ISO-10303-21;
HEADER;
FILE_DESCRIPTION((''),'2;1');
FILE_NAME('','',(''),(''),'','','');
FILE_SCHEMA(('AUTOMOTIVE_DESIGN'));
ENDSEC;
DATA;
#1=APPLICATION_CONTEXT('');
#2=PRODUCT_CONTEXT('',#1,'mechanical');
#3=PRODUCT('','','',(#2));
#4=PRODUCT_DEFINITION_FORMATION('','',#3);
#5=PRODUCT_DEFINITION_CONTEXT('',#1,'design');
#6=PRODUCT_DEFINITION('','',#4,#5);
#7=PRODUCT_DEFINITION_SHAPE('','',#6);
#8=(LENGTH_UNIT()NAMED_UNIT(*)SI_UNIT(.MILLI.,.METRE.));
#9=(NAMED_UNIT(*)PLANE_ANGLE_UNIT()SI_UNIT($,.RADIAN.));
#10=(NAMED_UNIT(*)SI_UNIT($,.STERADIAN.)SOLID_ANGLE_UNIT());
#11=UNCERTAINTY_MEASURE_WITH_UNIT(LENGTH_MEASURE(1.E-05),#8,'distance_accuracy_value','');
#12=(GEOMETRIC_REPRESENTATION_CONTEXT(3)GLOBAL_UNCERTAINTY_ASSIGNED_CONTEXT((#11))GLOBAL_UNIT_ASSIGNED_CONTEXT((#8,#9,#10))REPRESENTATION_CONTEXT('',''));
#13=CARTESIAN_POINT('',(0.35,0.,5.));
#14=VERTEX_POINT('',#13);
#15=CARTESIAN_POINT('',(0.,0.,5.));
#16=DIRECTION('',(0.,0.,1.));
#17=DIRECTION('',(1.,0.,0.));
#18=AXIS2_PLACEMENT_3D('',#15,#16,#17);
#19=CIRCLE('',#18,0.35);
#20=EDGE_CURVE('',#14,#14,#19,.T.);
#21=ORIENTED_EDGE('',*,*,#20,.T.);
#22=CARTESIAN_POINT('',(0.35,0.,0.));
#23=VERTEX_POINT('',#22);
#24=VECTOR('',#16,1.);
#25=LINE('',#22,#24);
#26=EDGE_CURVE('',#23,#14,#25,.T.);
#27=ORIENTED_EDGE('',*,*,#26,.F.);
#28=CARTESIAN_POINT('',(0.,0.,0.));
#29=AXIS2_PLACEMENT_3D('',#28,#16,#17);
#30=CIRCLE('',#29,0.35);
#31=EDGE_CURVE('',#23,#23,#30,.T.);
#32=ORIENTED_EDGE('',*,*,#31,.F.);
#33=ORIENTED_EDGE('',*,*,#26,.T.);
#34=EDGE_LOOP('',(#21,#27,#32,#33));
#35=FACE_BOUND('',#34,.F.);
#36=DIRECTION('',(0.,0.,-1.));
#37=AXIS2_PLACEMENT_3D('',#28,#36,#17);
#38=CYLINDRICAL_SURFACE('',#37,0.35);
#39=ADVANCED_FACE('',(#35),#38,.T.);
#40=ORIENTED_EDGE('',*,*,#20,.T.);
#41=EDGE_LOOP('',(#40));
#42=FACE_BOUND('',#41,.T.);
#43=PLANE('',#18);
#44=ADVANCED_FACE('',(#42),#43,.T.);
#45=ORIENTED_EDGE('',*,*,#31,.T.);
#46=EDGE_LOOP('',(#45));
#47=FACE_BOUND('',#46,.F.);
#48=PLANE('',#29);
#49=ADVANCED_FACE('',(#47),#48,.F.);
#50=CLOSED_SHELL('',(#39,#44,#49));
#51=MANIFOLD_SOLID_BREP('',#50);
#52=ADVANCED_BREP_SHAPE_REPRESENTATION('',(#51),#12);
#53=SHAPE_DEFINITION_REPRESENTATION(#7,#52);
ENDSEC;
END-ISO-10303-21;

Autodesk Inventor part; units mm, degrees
ref_plane "YZ Plane" through (0, 0, 0) normal (1, 0, 0) x (0, 1, 0)
ref_plane "XZ Plane" through (0, 0, 0) normal (0, 1, 0) x (-1, 0, 0)
ref_plane "XY Plane" through (0, 0, 0) normal (0, 0, 1) x (1, 0, 0)
sketch "Sketch1" plane through (0, 0, 0) normal (0, 0, 1) x (1, 0, 0)
  circle A0 centre (0, 0) radius 0.35
  dimension "d0" = 0.7
extrude "Extrusion1" add sketch "Sketch1" along normal blind 5
sketch "Sketch2" plane through (0, 0, 0) normal (0, 0, -1) x (-1, 0, 0)
  circle A0 centre (0, 0) radius 0.35 projected
properties part number "redribbon"
